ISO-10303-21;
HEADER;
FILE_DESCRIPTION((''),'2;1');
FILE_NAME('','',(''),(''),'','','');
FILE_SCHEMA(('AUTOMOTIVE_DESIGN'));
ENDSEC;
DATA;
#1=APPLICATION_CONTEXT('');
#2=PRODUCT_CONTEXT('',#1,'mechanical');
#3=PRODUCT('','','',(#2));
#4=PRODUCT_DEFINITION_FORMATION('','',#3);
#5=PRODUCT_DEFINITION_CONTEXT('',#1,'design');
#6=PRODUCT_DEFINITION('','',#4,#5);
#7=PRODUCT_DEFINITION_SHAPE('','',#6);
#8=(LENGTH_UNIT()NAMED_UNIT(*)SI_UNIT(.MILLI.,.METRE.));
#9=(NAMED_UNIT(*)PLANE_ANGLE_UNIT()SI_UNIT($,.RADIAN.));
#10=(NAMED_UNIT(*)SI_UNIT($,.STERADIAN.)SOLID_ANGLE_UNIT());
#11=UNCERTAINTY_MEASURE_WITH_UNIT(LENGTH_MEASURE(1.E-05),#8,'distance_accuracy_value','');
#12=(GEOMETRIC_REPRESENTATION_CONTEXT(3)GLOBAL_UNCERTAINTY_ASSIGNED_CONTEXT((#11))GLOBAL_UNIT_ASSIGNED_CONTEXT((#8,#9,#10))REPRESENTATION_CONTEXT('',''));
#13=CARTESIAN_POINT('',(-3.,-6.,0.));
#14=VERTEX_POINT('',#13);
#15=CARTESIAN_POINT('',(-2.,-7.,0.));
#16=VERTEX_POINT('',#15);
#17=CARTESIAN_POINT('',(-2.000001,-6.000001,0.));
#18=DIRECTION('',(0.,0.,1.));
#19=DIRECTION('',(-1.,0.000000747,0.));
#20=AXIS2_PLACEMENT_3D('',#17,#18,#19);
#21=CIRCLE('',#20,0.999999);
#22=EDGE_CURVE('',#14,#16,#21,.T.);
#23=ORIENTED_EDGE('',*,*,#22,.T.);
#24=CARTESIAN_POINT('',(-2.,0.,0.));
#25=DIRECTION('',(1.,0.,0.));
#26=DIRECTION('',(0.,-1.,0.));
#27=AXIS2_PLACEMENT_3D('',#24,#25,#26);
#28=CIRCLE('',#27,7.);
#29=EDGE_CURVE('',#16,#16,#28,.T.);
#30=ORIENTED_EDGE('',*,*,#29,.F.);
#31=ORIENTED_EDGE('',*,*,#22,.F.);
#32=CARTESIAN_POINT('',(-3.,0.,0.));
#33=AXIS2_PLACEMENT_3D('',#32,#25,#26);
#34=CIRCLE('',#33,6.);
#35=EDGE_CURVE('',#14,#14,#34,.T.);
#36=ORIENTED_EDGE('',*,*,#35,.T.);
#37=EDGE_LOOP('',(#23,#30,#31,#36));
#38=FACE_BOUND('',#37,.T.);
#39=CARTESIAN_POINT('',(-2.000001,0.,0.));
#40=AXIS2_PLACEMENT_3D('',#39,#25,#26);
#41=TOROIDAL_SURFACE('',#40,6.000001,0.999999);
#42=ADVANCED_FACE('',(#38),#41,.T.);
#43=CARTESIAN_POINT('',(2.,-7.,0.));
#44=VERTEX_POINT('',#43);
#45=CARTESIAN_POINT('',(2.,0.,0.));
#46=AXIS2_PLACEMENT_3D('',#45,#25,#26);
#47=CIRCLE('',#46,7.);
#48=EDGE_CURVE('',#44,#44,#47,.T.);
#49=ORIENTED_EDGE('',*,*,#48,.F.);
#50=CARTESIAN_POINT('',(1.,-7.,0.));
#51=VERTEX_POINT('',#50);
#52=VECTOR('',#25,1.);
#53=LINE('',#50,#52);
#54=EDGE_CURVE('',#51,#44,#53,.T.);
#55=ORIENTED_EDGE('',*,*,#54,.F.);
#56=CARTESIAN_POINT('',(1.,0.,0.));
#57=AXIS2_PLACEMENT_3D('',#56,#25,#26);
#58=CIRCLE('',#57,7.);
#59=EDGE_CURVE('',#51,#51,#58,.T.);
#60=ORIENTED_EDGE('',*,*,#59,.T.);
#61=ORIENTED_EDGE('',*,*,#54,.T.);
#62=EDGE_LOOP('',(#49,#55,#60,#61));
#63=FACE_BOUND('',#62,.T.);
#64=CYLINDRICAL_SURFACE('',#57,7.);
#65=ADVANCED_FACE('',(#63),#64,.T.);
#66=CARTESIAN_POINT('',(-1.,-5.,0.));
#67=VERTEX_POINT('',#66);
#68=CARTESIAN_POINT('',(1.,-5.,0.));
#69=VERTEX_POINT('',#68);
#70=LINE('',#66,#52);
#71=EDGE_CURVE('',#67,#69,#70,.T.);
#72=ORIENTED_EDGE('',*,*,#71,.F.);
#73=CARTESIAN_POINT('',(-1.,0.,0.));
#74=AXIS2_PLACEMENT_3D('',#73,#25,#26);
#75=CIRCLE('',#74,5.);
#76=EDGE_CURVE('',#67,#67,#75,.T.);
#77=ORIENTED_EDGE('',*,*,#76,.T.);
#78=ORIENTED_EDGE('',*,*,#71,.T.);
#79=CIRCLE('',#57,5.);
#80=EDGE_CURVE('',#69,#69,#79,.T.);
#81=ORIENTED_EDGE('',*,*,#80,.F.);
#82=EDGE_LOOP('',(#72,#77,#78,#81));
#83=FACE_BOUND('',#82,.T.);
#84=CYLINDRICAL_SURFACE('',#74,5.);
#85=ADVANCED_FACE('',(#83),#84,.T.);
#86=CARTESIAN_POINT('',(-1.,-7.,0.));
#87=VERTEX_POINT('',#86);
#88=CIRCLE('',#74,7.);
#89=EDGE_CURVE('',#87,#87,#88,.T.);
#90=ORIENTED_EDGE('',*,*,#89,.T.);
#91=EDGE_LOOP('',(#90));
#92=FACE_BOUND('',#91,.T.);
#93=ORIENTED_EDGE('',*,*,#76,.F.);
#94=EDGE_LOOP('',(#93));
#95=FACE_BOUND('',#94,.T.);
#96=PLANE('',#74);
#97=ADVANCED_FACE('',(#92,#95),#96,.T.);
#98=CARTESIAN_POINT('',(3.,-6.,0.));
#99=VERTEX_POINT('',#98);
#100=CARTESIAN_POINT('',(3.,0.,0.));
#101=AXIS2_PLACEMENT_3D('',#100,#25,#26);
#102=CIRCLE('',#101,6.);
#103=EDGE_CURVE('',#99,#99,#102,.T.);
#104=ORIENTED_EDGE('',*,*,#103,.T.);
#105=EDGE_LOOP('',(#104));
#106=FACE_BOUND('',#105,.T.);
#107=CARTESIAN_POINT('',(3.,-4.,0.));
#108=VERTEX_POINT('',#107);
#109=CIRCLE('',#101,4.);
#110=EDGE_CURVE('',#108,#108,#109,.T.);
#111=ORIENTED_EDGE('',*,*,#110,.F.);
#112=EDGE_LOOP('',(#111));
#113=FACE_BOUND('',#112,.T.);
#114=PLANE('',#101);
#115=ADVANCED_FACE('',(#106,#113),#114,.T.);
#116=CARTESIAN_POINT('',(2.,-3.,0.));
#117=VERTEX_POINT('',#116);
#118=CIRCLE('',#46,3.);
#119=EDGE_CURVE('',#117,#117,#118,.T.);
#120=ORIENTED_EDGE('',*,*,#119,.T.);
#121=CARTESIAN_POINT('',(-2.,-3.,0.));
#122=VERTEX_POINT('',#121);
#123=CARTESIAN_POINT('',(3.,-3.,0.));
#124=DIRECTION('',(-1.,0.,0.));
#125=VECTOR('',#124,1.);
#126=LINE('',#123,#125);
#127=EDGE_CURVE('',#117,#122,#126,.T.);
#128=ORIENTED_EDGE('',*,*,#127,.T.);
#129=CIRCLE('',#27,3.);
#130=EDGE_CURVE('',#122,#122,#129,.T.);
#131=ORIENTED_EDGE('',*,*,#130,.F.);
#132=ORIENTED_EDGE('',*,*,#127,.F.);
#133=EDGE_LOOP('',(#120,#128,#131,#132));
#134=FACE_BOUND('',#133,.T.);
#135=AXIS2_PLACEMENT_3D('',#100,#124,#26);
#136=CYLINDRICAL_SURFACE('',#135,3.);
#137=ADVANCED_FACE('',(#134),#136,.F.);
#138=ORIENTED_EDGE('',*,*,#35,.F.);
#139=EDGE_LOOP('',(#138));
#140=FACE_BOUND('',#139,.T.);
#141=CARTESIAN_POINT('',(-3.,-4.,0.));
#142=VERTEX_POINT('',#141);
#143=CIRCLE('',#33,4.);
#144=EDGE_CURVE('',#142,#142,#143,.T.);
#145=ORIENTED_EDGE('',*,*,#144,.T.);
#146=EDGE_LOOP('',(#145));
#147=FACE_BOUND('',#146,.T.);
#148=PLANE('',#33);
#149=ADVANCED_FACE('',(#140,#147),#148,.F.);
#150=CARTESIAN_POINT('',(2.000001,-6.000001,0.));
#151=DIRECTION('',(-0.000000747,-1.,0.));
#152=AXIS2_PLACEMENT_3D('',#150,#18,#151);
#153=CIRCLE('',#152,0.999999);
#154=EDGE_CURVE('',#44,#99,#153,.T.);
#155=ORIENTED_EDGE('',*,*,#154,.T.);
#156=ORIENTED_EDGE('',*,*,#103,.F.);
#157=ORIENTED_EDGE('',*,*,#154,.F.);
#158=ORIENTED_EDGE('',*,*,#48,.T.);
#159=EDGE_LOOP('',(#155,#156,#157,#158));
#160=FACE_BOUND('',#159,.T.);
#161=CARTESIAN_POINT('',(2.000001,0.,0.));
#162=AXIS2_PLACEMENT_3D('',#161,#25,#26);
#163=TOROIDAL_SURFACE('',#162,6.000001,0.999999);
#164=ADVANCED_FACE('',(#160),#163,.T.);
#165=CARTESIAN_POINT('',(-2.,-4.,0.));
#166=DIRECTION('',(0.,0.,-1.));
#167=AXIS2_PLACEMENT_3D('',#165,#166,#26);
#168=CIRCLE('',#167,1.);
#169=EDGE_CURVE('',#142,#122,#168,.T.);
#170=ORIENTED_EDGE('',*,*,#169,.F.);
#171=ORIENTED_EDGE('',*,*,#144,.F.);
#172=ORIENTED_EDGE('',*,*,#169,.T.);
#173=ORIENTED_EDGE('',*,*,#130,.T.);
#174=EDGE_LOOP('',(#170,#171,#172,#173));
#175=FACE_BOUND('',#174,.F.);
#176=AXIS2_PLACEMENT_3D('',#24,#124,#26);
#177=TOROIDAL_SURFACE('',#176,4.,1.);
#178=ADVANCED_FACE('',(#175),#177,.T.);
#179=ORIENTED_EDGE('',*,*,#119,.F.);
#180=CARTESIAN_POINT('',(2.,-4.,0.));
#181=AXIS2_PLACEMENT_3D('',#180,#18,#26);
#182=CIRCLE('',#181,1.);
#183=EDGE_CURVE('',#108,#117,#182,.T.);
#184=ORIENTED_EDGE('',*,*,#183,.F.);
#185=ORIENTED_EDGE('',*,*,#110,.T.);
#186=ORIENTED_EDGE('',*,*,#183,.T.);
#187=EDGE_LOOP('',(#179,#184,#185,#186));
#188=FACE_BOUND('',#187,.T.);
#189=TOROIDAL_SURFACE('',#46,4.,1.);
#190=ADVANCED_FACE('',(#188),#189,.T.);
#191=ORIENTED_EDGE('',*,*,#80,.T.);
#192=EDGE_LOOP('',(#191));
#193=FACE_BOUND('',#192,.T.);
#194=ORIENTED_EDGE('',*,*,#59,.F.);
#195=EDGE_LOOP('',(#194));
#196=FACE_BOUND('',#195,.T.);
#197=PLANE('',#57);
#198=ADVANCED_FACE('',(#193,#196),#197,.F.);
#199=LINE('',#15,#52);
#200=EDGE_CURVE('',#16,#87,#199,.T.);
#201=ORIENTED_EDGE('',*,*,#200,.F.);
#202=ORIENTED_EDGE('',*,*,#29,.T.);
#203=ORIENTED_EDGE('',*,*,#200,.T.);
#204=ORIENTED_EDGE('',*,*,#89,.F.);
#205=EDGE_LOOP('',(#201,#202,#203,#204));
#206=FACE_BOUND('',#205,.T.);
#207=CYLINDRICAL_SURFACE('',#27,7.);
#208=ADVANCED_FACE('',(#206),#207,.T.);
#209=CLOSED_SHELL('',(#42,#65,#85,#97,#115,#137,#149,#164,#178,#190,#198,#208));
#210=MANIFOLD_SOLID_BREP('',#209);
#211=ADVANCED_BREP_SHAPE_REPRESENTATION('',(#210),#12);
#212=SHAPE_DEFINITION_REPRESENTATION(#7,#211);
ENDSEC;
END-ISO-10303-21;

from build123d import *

# Parameters (mm, degrees)
F2_R = 1


with BuildPart() as f1:
    # F0 (on Top) → F1 (revolve)
    with BuildSketch(Plane.XY):
        with BuildLine():
            Line((0, -3), (-3, -3))
            Line((-3, -3), (-3, -6))
            ThreePointArc((-3, -6), (-2.707107, -6.707107), (-2, -7))
            Line((-2, -7), (-1, -7))
            Line((-1, -7), (-1, -5))
            Line((-1, -5), (0, -5))
            Line((0, -5), (1, -5))
            Line((1, -5), (1, -7))
            Line((1, -7), (2, -7))
            ThreePointArc((2, -7), (2.707107, -6.707107), (3, -6))
            Line((3, -6), (3, -3))
            Line((3, -3), (0, -3))
        make_face()
    revolve(axis=Axis((1.880628, 0, 0), (1, 0, 0)))

    # F2
    f2_edges = [f1.edges().sort_by_distance(p)[0] for p in [
        (-3, 3, 0),
        (3, 3, 0),
    ]]
    fillet(f2_edges, radius=F2_R)


solid = f1.part
